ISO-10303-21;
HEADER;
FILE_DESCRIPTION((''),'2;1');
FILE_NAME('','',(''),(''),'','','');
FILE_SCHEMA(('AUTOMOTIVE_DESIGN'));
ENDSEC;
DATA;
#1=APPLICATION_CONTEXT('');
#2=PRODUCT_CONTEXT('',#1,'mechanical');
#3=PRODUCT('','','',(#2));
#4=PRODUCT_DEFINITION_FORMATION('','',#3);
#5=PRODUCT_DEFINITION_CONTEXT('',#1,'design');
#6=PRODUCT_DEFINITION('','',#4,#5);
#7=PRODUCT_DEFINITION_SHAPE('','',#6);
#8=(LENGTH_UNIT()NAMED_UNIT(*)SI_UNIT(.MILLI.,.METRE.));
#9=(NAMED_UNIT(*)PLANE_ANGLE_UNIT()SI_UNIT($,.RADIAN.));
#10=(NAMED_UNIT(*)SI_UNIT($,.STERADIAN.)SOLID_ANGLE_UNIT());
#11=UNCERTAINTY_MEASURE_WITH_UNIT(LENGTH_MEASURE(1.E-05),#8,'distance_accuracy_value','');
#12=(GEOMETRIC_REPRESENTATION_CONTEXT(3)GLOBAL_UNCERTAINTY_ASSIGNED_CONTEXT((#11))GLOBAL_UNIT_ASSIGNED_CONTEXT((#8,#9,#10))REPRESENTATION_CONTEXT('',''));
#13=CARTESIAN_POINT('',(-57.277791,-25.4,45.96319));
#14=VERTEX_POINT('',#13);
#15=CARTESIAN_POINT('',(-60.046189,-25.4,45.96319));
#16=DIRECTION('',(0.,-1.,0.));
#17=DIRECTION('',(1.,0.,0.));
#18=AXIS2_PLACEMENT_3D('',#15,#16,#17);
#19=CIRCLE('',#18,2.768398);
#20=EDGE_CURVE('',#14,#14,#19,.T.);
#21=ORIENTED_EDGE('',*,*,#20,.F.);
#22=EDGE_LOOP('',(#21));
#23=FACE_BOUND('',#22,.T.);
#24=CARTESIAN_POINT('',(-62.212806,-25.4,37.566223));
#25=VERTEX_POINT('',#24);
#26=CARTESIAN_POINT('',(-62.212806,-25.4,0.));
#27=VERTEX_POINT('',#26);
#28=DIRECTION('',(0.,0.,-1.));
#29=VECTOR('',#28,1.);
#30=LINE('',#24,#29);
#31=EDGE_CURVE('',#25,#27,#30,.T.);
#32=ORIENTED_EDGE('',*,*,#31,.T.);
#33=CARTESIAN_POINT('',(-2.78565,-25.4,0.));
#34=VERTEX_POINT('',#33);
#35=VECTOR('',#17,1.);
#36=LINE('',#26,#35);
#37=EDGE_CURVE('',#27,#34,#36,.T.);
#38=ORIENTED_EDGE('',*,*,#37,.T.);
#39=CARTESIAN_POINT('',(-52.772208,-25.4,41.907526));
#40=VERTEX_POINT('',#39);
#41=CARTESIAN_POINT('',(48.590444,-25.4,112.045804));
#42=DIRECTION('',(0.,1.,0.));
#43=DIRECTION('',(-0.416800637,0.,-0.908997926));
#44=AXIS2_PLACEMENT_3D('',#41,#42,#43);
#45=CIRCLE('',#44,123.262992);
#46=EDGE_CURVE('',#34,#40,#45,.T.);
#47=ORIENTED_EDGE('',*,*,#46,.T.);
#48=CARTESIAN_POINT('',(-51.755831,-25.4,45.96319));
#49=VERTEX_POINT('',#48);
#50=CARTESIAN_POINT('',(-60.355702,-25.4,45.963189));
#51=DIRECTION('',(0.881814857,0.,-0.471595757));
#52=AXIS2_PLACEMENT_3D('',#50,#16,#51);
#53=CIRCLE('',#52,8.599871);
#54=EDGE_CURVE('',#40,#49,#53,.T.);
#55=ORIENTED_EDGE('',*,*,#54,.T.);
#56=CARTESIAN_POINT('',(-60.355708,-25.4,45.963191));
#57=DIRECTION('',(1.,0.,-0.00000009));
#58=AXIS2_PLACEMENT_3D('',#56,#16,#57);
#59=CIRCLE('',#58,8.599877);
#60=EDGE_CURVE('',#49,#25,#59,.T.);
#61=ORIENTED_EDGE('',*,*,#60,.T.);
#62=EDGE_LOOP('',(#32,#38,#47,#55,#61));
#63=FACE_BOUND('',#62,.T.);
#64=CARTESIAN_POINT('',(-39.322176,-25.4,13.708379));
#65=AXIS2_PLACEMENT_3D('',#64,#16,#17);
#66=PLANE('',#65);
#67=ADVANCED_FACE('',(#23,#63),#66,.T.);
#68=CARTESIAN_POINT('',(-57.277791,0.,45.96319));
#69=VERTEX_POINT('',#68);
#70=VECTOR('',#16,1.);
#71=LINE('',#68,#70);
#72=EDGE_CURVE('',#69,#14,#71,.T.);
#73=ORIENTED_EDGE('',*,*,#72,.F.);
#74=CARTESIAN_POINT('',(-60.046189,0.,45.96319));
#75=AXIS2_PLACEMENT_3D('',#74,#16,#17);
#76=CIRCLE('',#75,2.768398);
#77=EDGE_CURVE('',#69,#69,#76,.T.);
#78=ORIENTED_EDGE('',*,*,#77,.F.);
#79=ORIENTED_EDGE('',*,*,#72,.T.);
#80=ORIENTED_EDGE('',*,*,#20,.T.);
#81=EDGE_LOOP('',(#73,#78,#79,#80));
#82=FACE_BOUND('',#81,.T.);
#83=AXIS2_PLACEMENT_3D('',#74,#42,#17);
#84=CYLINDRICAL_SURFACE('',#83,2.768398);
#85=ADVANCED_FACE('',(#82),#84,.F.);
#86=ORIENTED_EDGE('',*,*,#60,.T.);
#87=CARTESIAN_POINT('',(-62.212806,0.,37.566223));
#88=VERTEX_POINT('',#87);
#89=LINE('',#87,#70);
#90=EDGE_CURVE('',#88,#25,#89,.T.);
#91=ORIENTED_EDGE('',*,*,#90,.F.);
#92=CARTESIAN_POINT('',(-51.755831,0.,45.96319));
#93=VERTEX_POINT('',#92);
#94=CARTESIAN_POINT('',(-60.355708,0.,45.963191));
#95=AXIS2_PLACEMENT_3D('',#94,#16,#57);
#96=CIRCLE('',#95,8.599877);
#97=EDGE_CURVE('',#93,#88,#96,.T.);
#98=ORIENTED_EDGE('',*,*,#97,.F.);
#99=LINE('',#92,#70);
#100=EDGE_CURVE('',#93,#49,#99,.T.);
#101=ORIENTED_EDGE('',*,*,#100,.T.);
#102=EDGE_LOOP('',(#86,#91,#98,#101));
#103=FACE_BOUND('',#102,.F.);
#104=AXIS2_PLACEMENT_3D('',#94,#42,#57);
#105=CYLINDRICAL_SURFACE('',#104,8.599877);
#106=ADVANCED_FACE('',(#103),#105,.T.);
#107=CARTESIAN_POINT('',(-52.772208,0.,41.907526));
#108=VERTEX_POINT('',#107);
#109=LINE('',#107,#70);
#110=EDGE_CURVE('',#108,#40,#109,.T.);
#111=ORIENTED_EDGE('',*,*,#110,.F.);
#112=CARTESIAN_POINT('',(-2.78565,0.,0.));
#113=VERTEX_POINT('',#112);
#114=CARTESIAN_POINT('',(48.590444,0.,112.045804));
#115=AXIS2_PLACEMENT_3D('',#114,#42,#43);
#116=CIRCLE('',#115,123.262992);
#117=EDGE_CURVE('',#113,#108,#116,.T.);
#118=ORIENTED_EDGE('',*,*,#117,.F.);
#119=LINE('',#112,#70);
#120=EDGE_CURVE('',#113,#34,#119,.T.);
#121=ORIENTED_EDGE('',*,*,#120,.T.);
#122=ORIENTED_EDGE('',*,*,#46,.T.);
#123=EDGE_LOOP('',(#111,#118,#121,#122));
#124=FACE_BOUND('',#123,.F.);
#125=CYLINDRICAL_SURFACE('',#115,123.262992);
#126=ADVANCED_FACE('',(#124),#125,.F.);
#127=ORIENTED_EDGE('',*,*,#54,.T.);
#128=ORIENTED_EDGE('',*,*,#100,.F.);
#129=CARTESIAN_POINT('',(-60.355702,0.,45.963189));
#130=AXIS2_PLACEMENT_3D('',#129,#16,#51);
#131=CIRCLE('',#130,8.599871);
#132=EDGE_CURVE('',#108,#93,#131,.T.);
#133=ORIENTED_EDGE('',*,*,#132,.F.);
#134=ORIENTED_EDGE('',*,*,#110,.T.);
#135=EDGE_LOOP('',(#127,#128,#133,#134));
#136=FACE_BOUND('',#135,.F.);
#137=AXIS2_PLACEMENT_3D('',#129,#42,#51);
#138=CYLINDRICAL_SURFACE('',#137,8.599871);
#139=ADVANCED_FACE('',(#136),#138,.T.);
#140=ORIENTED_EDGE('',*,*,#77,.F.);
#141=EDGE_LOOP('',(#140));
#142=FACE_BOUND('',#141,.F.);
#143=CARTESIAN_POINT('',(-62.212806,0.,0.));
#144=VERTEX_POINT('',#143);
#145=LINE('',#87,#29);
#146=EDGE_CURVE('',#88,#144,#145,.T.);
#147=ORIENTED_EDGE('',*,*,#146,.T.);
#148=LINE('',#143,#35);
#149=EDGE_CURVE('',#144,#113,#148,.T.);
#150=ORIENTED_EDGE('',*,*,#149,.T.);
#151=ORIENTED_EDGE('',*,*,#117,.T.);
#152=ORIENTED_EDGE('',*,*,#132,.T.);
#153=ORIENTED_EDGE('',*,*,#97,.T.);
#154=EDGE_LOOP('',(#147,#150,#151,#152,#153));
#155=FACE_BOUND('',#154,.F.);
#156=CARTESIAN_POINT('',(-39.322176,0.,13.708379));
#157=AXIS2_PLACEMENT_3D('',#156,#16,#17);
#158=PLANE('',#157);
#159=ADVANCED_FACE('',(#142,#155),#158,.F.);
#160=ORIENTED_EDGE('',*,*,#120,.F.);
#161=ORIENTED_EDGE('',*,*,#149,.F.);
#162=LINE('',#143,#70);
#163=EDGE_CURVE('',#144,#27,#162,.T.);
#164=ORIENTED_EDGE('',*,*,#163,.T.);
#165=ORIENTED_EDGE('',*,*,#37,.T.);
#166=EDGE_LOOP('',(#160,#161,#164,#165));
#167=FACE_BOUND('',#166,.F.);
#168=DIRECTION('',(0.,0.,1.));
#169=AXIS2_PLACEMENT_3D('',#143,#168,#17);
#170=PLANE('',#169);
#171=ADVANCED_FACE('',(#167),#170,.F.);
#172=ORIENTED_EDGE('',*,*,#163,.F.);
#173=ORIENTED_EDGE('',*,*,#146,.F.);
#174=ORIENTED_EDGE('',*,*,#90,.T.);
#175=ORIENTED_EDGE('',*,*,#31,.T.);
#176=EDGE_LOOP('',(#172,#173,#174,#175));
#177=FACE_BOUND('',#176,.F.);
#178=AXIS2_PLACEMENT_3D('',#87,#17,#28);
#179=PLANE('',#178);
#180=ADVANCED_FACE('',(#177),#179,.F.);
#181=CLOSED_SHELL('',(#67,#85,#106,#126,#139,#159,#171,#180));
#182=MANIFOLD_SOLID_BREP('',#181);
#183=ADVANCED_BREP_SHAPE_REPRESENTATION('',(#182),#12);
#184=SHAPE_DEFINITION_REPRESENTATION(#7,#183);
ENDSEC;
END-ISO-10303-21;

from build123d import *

# Parameters (mm, degrees)
F1_DEPTH = 25.4
F2_R     = 2.768398
F3_DEPTH = 25.4


with BuildPart() as f1:
    # F0 (on Front) → F1 (new body)
    with BuildSketch(Plane.XZ):
        with BuildLine():
            Line((-62.212806, 0), (-2.78565, 0))
            ThreePointArc((-2.78565, 0), (-30.601357, 17.587221), (-52.772208, 41.907526))
            ThreePointArc((-52.772208, 41.907526), (-56.762708, 38.149853), (-62.212806, 37.566223))
            Line((-62.212806, 37.566223), (-62.212806, 0))
        make_face()
        with BuildLine():
            ThreePointArc((-62.212806, 37.566223), (-56.762708, 38.149853), (-52.772208, 41.907526))
            ThreePointArc((-52.772208, 41.907526), (-52.013794, 43.87265), (-51.755831, 45.96319))
            ThreePointArc((-51.755831, 45.96319), (-65.740272, 52.668737), (-62.212806, 37.566223))
        make_face()
    extrude(amount=F1_DEPTH)

    # F2 (on Front) → F3 (cut)
    with BuildSketch(Plane.XZ):
        with Locations((-60.046189, 45.96319)):
            Circle(F2_R)
    extrude(amount=F3_DEPTH, mode=Mode.SUBTRACT)


solid = f1.part
